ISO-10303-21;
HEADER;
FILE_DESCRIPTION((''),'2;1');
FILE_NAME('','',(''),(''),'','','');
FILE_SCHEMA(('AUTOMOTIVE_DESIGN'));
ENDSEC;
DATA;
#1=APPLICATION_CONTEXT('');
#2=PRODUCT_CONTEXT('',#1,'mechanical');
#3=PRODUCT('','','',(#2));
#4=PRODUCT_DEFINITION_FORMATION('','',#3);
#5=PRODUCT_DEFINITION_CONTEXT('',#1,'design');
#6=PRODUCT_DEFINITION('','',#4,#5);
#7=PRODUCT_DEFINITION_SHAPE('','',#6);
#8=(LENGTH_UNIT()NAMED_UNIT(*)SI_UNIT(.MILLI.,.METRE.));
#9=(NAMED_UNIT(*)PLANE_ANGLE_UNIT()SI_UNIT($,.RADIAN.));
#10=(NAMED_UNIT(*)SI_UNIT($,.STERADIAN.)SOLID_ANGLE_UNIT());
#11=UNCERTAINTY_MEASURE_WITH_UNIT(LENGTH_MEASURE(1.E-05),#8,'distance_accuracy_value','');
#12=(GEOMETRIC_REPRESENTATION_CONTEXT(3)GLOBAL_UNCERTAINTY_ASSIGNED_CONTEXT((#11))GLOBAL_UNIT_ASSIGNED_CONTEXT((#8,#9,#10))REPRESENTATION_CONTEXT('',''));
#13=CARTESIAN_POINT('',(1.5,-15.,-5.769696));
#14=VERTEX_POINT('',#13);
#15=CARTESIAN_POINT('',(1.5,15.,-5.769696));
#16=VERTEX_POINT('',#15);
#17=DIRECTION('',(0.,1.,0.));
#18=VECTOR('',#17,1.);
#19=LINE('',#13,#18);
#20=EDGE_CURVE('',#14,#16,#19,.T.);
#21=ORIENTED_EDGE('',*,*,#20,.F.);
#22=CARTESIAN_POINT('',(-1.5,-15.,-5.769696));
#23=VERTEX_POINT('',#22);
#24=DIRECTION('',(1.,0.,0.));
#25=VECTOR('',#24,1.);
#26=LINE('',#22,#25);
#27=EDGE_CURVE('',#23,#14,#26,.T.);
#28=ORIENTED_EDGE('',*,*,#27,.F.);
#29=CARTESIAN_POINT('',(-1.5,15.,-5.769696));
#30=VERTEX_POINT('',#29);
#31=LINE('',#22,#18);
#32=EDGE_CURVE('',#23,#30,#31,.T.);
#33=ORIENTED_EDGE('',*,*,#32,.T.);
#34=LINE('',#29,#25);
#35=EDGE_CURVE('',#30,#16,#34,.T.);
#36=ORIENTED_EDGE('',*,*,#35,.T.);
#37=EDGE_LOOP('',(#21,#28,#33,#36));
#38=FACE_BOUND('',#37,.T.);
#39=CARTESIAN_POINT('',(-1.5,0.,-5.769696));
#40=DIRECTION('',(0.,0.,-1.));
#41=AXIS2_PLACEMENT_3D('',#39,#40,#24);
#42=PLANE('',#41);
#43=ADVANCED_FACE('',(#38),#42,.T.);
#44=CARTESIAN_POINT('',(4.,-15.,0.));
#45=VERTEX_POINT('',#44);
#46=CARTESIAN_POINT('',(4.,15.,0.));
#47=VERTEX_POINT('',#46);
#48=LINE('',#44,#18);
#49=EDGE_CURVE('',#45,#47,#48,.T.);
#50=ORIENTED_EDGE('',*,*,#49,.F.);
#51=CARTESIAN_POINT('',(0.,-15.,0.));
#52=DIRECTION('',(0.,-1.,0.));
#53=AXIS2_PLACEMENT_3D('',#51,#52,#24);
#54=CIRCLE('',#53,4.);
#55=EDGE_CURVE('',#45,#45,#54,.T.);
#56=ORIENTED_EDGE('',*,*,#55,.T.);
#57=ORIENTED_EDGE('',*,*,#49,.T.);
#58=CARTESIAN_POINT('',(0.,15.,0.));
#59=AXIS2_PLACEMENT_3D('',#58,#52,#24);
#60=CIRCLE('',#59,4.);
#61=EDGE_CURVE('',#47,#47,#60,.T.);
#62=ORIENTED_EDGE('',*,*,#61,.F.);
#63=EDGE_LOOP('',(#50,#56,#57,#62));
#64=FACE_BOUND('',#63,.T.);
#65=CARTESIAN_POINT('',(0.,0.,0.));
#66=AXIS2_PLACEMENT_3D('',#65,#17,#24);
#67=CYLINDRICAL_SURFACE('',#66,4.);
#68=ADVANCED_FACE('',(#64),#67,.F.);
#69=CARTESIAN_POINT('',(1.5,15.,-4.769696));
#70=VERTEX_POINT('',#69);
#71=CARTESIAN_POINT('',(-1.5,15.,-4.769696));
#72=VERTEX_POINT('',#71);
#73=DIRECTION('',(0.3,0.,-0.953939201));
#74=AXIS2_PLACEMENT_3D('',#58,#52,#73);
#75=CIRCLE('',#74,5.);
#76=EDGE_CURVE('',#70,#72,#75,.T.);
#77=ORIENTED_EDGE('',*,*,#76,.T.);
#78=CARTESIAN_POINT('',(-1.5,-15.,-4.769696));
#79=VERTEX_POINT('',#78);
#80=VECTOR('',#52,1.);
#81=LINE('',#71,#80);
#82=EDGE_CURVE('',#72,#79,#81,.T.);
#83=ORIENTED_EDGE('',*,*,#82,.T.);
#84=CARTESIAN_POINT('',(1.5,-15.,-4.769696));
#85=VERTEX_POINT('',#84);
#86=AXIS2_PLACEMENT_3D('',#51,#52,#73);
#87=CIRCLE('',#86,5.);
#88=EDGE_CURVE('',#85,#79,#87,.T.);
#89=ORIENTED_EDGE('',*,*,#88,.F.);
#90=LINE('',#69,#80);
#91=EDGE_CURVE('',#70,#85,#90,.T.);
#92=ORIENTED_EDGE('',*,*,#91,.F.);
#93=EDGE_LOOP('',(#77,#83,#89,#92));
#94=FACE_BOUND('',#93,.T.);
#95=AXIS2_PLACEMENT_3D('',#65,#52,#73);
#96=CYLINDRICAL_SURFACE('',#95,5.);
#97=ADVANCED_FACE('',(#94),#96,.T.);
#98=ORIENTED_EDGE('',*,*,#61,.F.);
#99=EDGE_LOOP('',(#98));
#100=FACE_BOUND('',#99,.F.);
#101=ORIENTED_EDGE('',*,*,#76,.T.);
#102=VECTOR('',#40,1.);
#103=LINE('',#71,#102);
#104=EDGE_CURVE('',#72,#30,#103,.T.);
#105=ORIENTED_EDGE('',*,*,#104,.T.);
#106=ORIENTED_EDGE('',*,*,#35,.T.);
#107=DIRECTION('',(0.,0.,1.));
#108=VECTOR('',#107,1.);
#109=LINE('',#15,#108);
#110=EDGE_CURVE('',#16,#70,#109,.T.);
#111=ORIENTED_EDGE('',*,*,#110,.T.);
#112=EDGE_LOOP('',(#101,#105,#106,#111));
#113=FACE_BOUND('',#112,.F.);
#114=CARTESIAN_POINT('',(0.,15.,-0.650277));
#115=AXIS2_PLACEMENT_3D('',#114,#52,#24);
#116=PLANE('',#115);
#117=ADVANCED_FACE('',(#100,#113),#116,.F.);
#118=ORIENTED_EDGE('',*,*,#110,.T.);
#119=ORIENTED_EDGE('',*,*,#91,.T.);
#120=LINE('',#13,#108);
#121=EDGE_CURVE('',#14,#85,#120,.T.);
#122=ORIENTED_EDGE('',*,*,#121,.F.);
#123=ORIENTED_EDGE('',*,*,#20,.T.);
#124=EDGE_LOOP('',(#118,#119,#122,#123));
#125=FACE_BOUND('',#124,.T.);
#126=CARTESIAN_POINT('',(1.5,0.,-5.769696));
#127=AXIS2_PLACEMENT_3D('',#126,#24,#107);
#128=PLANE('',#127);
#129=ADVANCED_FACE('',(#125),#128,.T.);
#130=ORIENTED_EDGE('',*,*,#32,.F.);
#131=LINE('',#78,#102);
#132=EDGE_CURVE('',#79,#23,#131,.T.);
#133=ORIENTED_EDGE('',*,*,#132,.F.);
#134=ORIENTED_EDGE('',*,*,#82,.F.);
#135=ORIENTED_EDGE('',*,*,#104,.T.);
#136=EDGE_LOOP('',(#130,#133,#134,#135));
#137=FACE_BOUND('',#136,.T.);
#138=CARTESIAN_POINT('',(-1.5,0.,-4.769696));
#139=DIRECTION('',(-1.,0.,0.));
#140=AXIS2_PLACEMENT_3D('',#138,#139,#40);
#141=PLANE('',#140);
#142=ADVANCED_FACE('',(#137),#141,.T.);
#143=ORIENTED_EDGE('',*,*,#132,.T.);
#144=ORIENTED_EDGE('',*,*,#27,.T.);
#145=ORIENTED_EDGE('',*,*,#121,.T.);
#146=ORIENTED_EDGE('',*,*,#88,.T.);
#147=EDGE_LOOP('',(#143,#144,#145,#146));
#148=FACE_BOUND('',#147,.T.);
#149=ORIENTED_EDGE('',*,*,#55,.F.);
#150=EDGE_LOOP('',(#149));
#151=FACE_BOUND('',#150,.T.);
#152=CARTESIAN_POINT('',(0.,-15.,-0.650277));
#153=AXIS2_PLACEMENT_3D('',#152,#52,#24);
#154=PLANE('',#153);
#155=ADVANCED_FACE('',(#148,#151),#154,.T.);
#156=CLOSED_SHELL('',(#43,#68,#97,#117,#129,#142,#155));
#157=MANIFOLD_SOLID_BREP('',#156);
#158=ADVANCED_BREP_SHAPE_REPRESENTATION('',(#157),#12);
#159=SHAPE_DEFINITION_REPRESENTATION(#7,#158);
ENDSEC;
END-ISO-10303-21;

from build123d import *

# Parameters (mm, degrees)
F0_R     = 4
F1_DEPTH = 15


with BuildPart() as f1:
    # F0 (on Front) → F1 (new body, symmetric)
    with BuildSketch(Plane.XZ):
        with BuildLine():
            Line((1.5, -5.769696), (1.5, -4.769696))
            ThreePointArc((1.5, -4.769696), (0, 5), (-1.5, -4.769696))
            Line((-1.5, -4.769696), (-1.5, -5.769696))
            Line((-1.5, -5.769696), (1.5, -5.769696))
        make_face()
        Circle(F0_R, mode=Mode.SUBTRACT)
    extrude(amount=F1_DEPTH, both=True)


solid = f1.part
